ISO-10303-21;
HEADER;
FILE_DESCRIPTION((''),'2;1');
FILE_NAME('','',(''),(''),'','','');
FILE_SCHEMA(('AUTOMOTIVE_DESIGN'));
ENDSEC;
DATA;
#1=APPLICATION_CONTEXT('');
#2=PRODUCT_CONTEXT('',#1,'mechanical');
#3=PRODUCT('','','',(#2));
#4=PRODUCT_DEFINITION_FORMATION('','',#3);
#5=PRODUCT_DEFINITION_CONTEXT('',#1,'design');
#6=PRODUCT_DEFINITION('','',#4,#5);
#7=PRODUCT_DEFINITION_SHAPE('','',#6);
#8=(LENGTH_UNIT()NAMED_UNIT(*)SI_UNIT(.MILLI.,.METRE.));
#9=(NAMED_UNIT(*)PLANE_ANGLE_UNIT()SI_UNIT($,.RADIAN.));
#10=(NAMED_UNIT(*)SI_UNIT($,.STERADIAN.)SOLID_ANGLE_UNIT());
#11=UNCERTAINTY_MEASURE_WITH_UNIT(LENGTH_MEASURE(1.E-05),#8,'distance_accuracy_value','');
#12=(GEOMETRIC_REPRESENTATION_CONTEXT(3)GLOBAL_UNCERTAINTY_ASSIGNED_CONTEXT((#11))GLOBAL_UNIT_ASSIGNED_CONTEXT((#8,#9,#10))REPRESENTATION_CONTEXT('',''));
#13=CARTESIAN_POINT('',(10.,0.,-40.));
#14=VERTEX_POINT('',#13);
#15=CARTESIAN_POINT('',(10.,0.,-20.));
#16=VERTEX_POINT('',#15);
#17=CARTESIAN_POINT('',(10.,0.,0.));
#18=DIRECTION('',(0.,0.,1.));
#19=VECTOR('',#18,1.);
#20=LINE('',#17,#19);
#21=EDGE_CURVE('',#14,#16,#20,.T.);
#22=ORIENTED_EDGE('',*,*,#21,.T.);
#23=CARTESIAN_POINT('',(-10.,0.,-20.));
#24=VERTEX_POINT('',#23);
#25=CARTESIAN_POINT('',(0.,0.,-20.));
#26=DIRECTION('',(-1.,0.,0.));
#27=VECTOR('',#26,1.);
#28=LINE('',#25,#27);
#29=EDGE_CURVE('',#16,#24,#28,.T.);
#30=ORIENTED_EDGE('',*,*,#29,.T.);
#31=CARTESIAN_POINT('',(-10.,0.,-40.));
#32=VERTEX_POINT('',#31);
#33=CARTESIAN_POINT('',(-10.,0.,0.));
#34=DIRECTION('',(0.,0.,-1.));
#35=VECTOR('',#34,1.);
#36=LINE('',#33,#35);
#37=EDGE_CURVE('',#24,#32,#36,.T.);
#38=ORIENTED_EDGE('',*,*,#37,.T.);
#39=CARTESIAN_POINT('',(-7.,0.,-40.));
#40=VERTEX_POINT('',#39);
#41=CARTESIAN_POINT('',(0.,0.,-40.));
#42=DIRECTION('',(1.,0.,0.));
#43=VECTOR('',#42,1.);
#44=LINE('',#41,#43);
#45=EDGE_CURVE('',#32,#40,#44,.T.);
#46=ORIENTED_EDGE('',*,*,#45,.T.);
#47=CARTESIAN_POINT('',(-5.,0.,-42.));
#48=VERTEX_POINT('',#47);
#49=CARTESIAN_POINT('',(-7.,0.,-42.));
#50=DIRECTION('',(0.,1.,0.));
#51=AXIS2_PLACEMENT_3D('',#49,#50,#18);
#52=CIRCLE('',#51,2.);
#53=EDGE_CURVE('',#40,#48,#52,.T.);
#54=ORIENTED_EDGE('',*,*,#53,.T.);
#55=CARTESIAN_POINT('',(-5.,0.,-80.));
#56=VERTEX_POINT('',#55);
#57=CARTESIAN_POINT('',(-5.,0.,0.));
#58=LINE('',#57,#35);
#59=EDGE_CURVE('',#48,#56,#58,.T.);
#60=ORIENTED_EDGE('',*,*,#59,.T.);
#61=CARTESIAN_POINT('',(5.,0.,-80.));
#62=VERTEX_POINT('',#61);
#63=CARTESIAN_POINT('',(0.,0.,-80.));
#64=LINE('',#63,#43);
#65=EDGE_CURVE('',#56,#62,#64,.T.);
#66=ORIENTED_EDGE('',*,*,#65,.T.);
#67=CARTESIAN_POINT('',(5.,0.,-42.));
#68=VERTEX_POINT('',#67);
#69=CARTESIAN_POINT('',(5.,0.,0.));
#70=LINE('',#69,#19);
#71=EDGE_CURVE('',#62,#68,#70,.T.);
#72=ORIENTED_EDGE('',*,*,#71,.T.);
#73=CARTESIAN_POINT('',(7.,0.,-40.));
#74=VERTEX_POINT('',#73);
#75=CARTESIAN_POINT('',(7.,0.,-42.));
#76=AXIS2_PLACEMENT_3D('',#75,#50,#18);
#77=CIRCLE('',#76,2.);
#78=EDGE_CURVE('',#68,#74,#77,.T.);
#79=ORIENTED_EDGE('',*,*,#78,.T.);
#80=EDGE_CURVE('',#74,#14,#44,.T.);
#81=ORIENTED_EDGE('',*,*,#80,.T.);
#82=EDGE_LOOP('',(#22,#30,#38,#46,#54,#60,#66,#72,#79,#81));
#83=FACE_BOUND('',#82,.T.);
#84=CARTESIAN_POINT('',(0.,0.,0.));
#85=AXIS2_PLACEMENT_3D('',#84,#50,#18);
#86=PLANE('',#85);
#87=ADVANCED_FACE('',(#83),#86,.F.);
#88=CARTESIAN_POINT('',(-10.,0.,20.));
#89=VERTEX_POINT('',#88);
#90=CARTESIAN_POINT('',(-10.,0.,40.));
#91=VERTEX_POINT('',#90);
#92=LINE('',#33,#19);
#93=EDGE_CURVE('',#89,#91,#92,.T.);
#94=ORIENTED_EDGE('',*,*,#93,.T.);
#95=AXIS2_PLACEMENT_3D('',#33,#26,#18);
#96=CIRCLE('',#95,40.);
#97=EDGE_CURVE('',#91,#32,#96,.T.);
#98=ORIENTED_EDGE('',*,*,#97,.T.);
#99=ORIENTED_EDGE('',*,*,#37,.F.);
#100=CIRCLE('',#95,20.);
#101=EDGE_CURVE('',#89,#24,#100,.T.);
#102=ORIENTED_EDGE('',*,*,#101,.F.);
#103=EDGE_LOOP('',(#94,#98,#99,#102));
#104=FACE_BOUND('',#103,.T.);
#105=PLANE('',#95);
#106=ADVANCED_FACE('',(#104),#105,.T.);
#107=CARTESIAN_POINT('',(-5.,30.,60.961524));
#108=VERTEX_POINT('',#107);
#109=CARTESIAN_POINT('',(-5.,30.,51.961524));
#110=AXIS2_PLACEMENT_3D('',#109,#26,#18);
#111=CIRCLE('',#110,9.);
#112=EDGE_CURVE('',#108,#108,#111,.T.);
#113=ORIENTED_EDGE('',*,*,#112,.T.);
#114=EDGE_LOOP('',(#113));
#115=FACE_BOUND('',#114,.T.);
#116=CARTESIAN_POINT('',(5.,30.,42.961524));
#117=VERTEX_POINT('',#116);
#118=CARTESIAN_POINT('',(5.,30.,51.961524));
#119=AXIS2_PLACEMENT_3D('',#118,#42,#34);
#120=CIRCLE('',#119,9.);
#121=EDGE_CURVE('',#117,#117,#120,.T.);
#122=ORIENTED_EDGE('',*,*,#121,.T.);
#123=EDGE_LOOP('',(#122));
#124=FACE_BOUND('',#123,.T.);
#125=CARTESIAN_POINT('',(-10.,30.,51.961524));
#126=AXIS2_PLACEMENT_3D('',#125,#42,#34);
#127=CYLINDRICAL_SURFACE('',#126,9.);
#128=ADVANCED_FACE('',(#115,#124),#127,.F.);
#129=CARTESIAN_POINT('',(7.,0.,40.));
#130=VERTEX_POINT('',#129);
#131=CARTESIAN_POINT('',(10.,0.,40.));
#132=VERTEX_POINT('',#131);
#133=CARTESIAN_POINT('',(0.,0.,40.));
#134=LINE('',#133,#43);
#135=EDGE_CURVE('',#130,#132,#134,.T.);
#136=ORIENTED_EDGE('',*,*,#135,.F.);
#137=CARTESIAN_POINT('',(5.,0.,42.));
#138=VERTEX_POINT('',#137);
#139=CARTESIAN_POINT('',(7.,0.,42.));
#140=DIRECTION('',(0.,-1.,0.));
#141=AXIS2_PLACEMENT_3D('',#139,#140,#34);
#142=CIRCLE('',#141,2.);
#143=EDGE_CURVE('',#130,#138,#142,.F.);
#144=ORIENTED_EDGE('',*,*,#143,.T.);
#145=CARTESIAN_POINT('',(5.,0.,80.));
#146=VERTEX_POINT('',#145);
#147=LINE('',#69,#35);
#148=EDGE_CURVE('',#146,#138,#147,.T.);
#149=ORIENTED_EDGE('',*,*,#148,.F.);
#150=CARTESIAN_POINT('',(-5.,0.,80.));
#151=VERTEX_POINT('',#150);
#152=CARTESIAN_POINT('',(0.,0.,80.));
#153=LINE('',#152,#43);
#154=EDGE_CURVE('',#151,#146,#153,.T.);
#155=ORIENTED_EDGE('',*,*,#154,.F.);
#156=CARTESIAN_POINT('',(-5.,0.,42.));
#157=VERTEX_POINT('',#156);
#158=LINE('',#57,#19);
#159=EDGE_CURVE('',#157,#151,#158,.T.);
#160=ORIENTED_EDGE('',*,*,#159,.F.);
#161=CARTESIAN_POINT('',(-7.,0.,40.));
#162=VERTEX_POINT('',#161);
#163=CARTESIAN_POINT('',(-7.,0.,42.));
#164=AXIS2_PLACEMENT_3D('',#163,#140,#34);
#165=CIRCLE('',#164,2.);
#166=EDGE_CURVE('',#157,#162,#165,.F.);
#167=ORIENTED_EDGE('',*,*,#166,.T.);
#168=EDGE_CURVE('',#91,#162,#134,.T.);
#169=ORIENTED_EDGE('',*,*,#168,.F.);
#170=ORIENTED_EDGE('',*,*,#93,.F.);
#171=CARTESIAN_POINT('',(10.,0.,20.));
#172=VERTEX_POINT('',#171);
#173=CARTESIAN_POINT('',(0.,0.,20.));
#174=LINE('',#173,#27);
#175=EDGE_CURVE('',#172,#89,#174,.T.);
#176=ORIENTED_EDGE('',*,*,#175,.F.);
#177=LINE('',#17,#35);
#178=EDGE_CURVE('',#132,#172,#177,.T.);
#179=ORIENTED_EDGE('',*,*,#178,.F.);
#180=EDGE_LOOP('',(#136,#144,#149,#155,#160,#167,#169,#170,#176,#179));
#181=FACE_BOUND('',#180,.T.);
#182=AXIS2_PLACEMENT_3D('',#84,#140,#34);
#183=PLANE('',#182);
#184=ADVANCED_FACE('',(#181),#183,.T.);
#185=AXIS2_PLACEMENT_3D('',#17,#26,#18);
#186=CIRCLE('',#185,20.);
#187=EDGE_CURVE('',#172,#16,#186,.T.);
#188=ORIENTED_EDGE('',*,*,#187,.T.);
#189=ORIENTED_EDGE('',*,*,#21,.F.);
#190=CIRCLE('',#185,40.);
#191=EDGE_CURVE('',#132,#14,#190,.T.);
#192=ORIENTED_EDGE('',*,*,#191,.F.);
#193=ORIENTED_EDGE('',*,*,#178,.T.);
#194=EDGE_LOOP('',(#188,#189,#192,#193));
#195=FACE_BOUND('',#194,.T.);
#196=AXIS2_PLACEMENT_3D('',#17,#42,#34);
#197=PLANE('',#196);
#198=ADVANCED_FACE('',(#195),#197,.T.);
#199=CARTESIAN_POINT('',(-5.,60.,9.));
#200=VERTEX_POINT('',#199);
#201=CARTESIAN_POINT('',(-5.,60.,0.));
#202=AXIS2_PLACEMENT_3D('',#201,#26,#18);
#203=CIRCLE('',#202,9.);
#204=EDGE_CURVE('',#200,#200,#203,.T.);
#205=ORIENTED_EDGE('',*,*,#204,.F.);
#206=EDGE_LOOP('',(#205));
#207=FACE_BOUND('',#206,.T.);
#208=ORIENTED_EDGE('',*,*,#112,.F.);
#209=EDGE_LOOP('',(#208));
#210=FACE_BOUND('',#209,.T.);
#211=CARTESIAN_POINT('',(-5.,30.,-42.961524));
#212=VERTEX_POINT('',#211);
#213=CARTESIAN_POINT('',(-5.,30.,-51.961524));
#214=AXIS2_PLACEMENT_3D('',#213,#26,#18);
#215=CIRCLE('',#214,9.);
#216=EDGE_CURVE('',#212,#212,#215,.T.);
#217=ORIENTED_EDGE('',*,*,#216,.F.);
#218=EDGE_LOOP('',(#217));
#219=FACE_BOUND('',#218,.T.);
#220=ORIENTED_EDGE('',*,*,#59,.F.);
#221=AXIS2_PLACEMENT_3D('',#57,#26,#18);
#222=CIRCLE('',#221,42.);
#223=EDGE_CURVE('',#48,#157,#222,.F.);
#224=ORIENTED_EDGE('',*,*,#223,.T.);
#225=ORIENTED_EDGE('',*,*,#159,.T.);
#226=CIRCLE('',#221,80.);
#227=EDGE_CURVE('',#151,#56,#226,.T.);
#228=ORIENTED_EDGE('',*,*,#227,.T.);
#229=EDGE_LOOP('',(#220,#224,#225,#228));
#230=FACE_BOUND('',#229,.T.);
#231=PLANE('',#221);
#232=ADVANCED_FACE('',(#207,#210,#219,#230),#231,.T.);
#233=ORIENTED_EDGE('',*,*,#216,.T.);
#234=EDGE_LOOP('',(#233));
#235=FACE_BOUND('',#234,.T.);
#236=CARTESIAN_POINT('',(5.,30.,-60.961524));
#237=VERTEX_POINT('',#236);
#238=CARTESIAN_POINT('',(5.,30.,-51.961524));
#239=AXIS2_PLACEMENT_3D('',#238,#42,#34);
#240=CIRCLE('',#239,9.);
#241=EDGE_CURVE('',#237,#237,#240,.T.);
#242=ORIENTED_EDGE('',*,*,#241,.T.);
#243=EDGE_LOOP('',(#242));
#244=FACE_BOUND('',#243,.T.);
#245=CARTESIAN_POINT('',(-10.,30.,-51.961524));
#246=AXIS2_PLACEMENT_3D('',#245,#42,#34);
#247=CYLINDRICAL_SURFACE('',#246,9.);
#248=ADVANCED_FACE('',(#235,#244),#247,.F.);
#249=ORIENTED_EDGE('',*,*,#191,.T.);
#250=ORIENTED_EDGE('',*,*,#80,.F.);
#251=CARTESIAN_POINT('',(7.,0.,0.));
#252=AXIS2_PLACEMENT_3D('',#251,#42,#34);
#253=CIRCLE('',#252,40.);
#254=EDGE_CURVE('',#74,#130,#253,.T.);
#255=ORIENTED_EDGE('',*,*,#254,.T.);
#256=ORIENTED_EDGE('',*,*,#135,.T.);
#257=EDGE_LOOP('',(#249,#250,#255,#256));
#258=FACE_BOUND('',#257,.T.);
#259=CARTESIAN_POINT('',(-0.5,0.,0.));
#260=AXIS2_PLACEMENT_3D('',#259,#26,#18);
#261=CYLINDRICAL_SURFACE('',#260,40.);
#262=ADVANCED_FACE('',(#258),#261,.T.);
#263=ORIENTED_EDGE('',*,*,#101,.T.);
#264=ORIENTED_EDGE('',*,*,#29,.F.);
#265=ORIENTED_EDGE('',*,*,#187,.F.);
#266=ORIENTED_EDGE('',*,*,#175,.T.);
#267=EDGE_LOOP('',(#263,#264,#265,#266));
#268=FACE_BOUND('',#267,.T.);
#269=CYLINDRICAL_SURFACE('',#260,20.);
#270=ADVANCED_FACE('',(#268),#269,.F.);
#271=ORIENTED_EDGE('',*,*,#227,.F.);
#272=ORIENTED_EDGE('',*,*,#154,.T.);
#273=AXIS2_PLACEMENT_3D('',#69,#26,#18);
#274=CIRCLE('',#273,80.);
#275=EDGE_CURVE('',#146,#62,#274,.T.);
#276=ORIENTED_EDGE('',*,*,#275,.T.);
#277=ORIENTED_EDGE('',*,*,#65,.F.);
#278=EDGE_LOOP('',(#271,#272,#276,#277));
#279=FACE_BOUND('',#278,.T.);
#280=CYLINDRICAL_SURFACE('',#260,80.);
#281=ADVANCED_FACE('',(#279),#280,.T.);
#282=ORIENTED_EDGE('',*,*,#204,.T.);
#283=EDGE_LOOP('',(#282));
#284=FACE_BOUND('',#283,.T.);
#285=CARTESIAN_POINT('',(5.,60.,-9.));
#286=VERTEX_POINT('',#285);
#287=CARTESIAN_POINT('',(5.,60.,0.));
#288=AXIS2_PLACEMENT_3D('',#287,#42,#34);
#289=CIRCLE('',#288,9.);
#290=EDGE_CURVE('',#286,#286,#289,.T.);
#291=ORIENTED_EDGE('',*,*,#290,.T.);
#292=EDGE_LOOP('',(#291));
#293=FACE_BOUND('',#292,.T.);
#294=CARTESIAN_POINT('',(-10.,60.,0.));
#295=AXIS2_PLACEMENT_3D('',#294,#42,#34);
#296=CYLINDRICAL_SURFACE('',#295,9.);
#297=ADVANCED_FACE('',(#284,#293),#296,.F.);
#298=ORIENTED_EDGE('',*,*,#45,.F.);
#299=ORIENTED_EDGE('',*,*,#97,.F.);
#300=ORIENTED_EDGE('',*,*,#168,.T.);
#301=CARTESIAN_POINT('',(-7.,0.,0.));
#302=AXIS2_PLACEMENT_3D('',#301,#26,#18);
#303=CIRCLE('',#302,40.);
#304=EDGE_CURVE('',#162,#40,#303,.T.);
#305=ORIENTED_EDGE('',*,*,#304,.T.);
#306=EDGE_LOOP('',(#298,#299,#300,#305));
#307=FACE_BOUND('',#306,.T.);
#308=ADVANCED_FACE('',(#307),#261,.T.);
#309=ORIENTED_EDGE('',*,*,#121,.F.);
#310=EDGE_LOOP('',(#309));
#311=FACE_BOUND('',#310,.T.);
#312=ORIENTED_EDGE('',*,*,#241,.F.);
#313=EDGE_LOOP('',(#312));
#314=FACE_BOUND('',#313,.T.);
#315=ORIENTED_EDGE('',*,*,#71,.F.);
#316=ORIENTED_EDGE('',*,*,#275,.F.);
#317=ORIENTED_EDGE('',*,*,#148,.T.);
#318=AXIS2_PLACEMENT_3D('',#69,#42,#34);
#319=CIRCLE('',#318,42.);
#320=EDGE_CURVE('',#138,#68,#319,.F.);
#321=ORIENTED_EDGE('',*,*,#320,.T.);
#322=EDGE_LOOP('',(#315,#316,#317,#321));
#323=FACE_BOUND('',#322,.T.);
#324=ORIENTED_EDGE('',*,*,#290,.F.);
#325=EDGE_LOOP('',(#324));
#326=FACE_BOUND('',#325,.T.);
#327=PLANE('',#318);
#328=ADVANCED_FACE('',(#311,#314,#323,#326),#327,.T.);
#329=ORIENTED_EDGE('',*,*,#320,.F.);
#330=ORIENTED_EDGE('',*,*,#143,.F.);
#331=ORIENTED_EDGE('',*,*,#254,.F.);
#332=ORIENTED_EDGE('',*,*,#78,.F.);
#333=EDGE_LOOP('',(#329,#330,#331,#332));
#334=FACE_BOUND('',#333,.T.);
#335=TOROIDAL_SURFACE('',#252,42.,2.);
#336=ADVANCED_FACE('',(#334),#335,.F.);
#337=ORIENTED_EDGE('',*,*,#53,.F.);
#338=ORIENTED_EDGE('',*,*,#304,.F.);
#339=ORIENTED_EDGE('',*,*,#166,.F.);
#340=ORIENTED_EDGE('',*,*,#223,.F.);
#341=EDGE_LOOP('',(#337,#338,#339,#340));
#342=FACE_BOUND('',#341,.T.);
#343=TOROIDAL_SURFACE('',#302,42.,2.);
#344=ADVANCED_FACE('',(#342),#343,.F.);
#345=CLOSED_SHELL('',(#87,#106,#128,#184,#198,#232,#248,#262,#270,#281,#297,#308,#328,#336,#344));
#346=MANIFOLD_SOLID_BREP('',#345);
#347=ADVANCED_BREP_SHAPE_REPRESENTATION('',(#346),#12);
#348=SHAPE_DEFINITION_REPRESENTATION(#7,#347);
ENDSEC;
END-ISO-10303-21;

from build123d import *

# Parameters (mm, degrees)
REVOLVE1_ANGLE          = 180
CUT_EXTRUDE1_DEPTH      = 114.578166916
CUT_EXTRUDE1_DEPTH_BACK = 114.578166916
SKETCH3_R               = 9
FILLET1_R               = 2


with BuildPart() as part:
    # Sketch2 → Revolve1 (revolve)
    with BuildSketch(Plane(origin=(0, 0, 0), x_dir=(1, 0, 0), z_dir=(0, 1, 0))):
        Polygon((-5, 80), (0, 80), (0, 20), (-10, 20), (-10, 40), (-5, 40), align=None)
        Polygon((10, 20), (0, 20), (0, 80), (5, 80), (5, 40), (10, 40), align=None)
    revolve(axis=Axis((-0.5, 0, 0), (1, 0, 0)), revolution_arc=REVOLVE1_ANGLE)

    # Sketch3 → Cut-Extrude1 (cut, two sides: drawn at the far end of the back side and taken through both)
    with BuildSketch(Plane(origin=(0, 0, 0), x_dir=(0, 0, -1), z_dir=(1, 0, 0)).offset(-CUT_EXTRUDE1_DEPTH_BACK)):
        with Locations((-51.961524227, 30)):
            Circle(SKETCH3_R)
        with Locations((0, 60)):
            Circle(SKETCH3_R)
        with Locations((51.961524227, 30)):
            Circle(SKETCH3_R)
    extrude(amount=CUT_EXTRUDE1_DEPTH + CUT_EXTRUDE1_DEPTH_BACK, mode=Mode.SUBTRACT)

    # Fillet1
    fillet1_edges = [part.edges().sort_by_distance(p)[0] for p in [
        (5, 40, 0),
        (-5, 40, 0),
    ]]
    fillet(fillet1_edges, radius=FILLET1_R)


solid = part.part
